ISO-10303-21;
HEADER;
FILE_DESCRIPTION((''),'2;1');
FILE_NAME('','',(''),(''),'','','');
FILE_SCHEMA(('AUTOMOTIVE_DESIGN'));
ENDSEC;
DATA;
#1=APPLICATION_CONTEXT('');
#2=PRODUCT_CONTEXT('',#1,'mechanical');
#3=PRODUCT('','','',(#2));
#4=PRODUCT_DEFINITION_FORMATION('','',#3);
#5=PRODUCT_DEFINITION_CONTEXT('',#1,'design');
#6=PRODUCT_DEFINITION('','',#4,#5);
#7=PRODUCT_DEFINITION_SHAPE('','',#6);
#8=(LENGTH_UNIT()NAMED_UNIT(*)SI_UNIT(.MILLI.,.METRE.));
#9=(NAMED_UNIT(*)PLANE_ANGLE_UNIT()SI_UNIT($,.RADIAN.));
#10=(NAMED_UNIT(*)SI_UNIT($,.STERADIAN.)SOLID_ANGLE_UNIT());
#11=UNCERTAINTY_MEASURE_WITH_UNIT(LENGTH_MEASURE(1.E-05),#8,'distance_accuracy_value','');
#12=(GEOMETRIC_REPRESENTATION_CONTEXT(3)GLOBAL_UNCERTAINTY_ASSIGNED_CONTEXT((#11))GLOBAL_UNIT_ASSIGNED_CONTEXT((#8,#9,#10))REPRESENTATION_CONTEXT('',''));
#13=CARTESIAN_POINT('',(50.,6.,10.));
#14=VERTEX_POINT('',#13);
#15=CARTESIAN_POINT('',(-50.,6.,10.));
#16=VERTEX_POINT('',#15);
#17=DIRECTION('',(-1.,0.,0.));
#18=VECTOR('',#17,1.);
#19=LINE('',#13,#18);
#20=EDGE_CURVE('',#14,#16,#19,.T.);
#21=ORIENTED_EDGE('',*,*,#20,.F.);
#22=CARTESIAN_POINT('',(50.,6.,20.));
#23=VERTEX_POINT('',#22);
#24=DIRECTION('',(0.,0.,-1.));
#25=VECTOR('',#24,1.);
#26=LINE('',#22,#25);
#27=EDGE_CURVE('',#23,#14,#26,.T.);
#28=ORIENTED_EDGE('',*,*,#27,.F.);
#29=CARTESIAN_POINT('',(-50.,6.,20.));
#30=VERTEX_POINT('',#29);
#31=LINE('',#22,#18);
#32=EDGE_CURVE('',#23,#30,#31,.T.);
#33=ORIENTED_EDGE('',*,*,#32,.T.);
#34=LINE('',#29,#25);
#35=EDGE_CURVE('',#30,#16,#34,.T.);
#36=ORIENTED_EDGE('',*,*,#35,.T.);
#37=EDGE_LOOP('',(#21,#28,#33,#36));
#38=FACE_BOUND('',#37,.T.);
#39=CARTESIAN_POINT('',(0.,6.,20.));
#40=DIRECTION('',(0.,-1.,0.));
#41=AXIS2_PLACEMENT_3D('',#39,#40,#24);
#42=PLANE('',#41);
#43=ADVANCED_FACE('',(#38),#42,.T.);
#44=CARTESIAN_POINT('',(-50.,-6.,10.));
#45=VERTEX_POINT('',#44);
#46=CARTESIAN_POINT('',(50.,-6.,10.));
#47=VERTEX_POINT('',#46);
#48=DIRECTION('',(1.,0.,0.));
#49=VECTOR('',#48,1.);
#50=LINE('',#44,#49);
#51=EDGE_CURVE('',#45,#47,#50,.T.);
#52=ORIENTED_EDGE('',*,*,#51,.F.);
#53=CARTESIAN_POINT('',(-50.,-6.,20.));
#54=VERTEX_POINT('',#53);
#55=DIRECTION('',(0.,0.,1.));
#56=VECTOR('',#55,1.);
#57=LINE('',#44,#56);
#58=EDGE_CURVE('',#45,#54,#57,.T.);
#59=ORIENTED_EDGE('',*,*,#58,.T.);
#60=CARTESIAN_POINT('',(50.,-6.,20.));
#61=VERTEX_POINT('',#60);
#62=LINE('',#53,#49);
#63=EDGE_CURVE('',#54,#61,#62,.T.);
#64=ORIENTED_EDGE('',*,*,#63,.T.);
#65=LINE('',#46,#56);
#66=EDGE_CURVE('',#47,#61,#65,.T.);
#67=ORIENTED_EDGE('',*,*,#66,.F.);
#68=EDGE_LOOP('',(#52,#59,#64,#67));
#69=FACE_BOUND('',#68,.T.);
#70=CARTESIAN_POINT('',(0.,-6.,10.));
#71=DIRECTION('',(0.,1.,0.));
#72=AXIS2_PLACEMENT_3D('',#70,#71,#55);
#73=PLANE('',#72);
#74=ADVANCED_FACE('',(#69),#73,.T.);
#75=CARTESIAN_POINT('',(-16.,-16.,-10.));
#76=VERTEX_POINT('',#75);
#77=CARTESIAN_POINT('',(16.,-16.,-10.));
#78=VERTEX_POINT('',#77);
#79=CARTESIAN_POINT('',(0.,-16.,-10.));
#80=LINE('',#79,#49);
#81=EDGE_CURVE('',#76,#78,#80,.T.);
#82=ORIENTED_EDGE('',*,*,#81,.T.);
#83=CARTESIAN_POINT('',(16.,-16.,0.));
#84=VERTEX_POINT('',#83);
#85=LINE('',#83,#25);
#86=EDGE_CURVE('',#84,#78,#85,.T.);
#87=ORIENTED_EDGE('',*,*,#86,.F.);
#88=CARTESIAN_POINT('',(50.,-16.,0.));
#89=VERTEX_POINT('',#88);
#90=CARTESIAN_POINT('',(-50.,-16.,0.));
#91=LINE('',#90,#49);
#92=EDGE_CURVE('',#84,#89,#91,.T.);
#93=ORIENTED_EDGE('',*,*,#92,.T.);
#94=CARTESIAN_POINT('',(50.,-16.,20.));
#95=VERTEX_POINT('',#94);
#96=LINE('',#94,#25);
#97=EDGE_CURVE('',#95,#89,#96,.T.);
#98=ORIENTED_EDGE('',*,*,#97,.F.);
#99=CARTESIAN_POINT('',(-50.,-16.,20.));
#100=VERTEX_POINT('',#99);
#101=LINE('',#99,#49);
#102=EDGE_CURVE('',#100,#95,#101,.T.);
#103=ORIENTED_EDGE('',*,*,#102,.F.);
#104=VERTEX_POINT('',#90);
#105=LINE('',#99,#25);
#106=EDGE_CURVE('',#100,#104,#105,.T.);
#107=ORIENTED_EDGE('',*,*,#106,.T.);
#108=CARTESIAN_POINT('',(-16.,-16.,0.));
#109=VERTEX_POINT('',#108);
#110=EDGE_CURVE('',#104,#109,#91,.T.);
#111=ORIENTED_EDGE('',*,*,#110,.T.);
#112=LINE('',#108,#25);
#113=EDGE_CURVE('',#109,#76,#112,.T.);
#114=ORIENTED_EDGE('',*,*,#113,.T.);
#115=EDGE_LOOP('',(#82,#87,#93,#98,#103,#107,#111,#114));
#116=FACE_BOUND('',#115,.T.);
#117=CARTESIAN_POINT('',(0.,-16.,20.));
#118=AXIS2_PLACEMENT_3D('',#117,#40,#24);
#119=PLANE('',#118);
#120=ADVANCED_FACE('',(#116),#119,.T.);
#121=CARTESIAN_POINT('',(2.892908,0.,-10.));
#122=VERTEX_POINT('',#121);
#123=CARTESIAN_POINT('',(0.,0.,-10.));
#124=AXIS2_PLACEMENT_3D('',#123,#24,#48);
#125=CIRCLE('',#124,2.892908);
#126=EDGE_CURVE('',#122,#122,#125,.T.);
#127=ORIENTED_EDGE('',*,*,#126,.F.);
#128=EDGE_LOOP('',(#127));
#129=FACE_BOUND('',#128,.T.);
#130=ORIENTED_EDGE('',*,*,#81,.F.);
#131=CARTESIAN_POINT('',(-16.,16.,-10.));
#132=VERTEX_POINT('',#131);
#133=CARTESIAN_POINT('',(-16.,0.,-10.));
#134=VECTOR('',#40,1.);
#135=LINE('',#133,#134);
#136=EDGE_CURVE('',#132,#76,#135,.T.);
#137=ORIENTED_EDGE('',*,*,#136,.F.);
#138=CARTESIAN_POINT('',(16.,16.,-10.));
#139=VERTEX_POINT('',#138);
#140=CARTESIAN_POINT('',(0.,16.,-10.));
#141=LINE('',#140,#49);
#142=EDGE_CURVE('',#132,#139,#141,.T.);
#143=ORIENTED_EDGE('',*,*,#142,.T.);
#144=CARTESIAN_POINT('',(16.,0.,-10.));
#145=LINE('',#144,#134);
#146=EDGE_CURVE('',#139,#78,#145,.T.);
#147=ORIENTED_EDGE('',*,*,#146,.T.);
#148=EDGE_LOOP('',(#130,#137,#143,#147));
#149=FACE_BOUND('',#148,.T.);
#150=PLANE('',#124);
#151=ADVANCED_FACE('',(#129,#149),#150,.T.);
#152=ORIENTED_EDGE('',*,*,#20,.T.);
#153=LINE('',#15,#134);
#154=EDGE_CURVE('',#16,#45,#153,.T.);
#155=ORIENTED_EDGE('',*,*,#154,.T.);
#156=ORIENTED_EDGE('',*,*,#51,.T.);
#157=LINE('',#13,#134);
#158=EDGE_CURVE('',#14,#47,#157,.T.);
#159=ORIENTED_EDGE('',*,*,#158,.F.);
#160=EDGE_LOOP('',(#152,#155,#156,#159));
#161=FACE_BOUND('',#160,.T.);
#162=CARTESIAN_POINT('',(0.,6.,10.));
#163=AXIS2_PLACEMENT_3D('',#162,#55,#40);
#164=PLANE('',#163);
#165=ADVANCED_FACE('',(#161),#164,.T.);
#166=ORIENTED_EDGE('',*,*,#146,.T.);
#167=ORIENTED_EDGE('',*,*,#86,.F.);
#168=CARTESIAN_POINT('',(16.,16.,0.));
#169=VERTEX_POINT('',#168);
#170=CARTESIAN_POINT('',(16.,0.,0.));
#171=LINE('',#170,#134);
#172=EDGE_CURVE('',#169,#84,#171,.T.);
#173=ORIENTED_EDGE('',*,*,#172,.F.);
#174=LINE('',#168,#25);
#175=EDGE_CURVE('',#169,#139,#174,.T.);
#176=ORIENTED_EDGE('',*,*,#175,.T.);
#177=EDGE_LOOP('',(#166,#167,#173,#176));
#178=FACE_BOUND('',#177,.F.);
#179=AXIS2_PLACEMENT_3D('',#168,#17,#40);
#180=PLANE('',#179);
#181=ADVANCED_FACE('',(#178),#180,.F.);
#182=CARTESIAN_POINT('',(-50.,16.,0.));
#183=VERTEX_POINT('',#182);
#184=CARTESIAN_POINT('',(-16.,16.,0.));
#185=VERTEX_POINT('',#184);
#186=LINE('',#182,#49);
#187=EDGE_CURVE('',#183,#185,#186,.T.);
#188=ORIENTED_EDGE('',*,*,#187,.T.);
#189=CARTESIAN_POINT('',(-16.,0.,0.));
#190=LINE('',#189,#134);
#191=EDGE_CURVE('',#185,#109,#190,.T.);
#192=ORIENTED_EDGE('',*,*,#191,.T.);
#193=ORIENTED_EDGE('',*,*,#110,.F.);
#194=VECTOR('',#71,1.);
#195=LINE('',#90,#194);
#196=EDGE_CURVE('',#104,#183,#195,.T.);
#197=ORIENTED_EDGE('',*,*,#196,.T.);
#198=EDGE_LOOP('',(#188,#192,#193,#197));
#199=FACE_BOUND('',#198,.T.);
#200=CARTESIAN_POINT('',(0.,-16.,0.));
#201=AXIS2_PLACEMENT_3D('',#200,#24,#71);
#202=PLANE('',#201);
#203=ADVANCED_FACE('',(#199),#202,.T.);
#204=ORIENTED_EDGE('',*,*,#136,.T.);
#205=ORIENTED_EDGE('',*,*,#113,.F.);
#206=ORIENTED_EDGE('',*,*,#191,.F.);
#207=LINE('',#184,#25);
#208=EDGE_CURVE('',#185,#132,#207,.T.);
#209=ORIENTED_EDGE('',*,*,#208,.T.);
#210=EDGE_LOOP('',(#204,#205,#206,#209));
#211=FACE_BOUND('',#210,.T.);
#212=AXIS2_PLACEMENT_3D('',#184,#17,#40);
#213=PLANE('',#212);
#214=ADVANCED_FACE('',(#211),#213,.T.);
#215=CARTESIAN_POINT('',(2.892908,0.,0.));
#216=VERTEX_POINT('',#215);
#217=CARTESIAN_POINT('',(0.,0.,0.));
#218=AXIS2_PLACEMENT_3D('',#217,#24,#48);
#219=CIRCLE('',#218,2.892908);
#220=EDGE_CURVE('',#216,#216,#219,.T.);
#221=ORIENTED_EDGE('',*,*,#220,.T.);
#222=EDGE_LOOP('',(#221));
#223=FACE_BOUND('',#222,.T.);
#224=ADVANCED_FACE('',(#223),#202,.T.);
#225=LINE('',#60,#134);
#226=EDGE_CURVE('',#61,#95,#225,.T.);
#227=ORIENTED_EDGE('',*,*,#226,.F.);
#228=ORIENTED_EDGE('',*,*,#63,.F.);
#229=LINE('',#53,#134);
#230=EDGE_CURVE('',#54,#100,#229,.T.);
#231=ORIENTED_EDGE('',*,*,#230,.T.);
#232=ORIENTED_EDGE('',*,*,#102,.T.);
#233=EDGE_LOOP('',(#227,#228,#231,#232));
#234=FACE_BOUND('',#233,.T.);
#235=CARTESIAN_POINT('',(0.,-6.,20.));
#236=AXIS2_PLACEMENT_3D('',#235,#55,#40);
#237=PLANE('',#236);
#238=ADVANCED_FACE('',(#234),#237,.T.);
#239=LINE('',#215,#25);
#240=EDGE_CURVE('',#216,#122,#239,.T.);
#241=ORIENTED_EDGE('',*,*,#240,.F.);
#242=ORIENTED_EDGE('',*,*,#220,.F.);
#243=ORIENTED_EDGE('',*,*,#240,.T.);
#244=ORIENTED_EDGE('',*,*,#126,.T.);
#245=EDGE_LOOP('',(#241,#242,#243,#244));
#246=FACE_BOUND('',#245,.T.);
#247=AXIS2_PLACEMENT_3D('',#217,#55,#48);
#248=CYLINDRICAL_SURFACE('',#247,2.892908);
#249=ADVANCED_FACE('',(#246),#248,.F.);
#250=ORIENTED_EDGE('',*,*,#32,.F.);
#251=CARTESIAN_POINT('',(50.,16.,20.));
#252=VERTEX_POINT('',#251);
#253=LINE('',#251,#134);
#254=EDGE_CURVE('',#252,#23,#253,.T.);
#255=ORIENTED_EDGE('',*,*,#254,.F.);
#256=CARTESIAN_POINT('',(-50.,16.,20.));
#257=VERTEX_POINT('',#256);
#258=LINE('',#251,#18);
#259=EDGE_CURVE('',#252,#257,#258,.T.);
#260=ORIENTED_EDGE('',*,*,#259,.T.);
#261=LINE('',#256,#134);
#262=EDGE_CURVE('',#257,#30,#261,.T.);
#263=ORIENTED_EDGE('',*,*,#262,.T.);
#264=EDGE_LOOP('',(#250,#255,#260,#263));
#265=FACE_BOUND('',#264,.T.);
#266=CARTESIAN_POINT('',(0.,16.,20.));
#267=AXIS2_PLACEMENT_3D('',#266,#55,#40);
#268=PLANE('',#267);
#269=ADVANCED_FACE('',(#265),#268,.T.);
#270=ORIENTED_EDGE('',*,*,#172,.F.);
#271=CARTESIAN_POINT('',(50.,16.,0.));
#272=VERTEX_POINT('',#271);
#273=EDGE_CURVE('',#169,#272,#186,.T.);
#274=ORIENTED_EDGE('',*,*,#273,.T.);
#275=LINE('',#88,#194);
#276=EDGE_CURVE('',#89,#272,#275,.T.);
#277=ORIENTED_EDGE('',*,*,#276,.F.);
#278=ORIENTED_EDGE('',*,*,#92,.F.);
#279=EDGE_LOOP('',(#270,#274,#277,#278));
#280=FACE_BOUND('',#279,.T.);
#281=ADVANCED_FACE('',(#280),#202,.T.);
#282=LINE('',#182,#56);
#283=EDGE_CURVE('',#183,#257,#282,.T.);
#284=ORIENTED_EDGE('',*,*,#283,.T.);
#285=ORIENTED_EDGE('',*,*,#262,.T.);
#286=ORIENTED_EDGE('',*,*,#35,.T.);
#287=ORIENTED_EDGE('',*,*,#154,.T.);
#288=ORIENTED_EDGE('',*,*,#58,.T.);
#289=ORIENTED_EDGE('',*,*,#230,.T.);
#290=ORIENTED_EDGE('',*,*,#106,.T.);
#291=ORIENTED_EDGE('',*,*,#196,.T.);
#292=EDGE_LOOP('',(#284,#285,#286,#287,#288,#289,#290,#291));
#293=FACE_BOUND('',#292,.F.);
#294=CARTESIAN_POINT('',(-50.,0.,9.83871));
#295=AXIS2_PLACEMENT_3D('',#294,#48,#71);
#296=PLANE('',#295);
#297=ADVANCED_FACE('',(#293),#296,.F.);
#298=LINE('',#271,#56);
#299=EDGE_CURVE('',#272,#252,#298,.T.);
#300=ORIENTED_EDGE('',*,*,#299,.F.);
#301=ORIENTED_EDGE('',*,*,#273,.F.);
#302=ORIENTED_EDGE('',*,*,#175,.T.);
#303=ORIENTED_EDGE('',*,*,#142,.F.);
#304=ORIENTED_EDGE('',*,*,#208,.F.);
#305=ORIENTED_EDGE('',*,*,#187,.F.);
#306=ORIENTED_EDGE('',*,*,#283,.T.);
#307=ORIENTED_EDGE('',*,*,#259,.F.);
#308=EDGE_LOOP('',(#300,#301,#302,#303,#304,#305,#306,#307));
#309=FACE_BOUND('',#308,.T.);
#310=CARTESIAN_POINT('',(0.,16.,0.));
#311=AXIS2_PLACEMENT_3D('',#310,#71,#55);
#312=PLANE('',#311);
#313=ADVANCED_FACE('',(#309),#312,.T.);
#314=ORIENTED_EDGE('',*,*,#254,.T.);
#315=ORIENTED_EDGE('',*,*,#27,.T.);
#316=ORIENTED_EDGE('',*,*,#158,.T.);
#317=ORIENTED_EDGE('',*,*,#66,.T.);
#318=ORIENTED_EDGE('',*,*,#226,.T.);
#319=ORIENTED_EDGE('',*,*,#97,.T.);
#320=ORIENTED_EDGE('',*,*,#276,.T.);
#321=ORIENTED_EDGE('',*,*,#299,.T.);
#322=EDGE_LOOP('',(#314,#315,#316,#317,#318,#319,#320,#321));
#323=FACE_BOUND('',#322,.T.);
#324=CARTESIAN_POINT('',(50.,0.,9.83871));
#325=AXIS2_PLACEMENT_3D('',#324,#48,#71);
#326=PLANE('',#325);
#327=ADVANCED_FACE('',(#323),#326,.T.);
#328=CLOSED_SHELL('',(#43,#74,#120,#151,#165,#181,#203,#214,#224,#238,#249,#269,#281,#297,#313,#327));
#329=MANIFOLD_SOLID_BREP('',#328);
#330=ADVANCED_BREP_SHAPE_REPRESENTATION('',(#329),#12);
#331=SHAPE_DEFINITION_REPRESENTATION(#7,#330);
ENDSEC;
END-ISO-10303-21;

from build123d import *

# Parameters (mm, degrees)
F1_DEPTH = 50
F2_W     = 32
F2_H     = 32
F2_R     = 2.892908
F3_DEPTH = 10


with BuildPart() as f1:
    # F0 (on Right) → F1 (new body, symmetric)
    with BuildSketch(Plane.YZ):
        Polygon((6, 10), (0, 10), (-6, 10), (-6, 20), (-16, 20), (-16, 0), (16, 0), (16, 20), (6, 20), align=None)
    extrude(amount=F1_DEPTH, both=True)

    # F2 (on face) → F3 (join)
    with BuildSketch(Plane(origin=(0, 0, 0), x_dir=(1, 0, 0), z_dir=(0, 0, -1))):
        Rectangle(F2_W, F2_H)
        Circle(F2_R, mode=Mode.SUBTRACT)
    extrude(amount=F3_DEPTH)


solid = f1.part
